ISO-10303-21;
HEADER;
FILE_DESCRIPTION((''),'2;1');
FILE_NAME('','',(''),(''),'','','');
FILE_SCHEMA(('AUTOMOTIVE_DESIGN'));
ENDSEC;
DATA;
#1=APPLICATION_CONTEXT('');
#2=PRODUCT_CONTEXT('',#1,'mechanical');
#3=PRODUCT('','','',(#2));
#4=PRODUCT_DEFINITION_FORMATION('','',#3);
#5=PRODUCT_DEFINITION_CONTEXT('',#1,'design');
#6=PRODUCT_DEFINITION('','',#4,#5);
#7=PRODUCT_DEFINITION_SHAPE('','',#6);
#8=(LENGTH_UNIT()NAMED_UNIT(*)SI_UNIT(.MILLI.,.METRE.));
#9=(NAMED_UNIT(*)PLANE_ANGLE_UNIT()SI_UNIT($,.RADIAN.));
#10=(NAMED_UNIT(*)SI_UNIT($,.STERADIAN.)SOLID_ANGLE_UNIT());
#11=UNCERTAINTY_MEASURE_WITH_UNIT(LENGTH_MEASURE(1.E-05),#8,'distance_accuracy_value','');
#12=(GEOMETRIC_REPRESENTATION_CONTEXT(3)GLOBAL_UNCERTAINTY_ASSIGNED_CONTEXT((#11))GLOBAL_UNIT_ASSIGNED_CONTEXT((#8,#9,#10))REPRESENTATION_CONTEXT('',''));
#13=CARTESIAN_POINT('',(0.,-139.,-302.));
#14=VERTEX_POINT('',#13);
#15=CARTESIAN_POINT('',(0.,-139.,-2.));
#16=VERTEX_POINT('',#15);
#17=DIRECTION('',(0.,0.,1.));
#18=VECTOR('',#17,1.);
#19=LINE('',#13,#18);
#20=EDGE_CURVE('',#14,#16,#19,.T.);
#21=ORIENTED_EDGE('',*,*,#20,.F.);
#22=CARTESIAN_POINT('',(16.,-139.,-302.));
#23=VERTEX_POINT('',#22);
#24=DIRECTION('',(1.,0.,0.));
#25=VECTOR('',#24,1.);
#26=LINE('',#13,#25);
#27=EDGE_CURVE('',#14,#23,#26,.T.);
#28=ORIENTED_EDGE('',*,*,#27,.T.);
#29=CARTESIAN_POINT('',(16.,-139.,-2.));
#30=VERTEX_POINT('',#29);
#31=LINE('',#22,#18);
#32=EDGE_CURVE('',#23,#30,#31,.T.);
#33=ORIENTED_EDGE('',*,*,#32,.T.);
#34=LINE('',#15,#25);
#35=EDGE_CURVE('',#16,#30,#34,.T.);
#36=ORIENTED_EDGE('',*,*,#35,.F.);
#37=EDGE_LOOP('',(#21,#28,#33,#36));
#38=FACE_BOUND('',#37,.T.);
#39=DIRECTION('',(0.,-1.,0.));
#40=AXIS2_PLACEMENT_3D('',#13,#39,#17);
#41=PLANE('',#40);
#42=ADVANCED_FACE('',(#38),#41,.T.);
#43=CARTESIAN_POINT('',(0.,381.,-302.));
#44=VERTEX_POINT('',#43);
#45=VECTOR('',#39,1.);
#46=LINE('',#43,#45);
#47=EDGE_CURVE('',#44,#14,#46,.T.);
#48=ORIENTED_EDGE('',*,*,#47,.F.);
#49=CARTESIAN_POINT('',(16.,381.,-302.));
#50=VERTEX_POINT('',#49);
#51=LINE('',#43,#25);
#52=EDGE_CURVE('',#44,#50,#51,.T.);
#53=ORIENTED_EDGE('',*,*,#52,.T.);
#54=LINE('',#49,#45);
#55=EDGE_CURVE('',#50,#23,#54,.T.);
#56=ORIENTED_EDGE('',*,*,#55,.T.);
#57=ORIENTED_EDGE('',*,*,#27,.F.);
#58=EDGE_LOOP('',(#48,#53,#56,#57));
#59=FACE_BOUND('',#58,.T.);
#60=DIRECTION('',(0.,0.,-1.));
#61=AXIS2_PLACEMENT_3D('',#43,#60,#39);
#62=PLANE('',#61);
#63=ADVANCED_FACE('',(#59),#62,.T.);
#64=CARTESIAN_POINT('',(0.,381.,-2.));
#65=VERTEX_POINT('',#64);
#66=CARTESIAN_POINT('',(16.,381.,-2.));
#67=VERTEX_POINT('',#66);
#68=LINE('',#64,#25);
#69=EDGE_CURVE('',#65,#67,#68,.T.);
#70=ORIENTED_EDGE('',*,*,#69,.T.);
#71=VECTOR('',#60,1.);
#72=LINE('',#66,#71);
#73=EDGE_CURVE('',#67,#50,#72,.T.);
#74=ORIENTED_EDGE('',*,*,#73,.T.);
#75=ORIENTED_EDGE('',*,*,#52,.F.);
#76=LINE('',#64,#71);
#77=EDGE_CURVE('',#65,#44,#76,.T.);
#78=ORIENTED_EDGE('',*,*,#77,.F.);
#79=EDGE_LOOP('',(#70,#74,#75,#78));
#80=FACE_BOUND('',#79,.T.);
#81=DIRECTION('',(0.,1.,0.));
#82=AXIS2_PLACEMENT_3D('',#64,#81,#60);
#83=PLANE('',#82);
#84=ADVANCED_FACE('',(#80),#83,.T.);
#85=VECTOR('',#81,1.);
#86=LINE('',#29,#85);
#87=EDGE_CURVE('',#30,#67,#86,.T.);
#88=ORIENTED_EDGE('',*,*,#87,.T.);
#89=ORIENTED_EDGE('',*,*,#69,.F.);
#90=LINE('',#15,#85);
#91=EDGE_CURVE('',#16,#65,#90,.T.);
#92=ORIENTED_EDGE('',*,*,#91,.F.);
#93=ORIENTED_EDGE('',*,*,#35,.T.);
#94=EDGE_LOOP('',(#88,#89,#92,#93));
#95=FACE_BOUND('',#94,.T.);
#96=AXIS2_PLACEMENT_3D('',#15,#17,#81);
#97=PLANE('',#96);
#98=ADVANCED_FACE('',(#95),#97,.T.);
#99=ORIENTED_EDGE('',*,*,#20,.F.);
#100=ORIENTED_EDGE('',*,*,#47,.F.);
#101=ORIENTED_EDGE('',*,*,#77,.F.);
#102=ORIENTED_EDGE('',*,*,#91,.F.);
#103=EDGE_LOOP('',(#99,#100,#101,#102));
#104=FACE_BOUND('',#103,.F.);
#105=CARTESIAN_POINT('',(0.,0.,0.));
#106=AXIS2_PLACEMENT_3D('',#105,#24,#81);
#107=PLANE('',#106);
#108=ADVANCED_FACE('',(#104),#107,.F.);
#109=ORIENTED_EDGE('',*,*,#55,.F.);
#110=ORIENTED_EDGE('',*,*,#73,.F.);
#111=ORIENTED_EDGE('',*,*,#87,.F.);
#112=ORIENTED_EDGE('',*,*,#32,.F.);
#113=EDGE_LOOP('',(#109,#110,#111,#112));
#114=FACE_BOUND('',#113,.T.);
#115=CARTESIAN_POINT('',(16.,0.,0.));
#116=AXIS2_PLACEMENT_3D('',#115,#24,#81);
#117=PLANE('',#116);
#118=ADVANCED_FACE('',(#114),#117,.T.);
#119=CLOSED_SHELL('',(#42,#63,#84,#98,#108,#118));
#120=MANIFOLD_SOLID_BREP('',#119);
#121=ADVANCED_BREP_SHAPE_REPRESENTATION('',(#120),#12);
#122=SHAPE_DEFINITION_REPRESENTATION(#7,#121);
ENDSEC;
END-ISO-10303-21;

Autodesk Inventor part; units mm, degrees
ref_plane "YZ Plane" through (0, 0, 0) normal (1, 0, 0) x (0, 1, 0)
ref_plane "XZ Plane" through (0, 0, 0) normal (0, 1, 0) x (-1, 0, 0)
ref_plane "XY Plane" through (0, 0, 0) normal (0, 0, 1) x (1, 0, 0)
sketch "Эскиз2" plane through (0, 0, 0) normal (1, 0, 0) x (0, 1, 0)
  line L0 (-139, -2) -> (381, -2)
  line L1 (381, -2) -> (381, -302)
  line L2 (381, -302) -> (-139, -302)
  line L3 (-139, -302) -> (-139, -2)
  dimension "d0" = 300
  dimension "d4" = 520
extrude "Выдавливание1" add sketch "Эскиз2" along normal blind 16
properties part number "N_into_side" material "Древесно-стружечная плита"
